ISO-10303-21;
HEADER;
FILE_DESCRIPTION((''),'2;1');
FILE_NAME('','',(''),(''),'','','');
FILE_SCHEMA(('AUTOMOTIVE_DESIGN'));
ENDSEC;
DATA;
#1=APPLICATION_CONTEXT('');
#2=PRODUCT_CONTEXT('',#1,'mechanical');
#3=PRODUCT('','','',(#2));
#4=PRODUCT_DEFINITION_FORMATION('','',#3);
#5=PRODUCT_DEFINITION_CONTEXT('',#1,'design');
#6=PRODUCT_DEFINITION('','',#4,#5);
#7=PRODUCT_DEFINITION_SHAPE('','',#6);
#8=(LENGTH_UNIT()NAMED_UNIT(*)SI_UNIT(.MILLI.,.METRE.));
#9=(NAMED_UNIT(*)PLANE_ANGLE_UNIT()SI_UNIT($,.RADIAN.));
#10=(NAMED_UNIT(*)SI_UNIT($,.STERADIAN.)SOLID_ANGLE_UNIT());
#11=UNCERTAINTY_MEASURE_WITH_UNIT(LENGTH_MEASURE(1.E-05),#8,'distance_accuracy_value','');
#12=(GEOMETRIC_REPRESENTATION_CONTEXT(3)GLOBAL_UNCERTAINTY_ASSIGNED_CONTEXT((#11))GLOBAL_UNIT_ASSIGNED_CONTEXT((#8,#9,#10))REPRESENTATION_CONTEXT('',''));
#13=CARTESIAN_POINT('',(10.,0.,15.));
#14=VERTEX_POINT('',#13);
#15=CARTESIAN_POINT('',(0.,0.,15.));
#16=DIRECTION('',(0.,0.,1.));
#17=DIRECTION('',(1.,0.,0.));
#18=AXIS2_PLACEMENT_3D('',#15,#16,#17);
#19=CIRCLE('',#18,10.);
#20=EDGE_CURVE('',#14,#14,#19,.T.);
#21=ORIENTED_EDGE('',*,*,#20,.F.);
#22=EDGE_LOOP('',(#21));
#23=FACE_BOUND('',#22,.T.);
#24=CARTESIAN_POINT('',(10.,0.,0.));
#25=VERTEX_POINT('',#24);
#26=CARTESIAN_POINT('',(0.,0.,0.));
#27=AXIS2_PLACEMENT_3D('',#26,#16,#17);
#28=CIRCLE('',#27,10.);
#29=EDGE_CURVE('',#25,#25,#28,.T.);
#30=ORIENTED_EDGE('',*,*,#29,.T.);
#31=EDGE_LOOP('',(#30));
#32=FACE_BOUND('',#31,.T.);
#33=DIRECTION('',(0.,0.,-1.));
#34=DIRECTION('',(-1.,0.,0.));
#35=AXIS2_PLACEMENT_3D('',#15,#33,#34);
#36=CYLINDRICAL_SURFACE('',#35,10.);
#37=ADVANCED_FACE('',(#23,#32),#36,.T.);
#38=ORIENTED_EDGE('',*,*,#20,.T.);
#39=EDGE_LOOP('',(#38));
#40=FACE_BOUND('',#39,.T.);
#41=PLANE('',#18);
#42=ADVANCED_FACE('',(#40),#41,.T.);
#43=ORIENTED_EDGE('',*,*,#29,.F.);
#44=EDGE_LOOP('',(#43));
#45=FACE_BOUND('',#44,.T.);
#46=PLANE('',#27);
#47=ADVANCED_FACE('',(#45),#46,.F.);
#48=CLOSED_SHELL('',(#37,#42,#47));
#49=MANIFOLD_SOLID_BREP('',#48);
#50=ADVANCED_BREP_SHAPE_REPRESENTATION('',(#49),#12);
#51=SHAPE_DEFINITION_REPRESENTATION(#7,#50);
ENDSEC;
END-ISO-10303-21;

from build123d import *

# Parameters (mm, degrees)
CROQUIS1_R              = 10
SALIENTE_EXTRUIR1_DEPTH = 15


with BuildPart() as part:
    # Croquis1 → Saliente-Extruir1 (new body)
    with BuildSketch(Plane.XY):
        Circle(CROQUIS1_R)
    extrude(amount=SALIENTE_EXTRUIR1_DEPTH)


solid = part.part
